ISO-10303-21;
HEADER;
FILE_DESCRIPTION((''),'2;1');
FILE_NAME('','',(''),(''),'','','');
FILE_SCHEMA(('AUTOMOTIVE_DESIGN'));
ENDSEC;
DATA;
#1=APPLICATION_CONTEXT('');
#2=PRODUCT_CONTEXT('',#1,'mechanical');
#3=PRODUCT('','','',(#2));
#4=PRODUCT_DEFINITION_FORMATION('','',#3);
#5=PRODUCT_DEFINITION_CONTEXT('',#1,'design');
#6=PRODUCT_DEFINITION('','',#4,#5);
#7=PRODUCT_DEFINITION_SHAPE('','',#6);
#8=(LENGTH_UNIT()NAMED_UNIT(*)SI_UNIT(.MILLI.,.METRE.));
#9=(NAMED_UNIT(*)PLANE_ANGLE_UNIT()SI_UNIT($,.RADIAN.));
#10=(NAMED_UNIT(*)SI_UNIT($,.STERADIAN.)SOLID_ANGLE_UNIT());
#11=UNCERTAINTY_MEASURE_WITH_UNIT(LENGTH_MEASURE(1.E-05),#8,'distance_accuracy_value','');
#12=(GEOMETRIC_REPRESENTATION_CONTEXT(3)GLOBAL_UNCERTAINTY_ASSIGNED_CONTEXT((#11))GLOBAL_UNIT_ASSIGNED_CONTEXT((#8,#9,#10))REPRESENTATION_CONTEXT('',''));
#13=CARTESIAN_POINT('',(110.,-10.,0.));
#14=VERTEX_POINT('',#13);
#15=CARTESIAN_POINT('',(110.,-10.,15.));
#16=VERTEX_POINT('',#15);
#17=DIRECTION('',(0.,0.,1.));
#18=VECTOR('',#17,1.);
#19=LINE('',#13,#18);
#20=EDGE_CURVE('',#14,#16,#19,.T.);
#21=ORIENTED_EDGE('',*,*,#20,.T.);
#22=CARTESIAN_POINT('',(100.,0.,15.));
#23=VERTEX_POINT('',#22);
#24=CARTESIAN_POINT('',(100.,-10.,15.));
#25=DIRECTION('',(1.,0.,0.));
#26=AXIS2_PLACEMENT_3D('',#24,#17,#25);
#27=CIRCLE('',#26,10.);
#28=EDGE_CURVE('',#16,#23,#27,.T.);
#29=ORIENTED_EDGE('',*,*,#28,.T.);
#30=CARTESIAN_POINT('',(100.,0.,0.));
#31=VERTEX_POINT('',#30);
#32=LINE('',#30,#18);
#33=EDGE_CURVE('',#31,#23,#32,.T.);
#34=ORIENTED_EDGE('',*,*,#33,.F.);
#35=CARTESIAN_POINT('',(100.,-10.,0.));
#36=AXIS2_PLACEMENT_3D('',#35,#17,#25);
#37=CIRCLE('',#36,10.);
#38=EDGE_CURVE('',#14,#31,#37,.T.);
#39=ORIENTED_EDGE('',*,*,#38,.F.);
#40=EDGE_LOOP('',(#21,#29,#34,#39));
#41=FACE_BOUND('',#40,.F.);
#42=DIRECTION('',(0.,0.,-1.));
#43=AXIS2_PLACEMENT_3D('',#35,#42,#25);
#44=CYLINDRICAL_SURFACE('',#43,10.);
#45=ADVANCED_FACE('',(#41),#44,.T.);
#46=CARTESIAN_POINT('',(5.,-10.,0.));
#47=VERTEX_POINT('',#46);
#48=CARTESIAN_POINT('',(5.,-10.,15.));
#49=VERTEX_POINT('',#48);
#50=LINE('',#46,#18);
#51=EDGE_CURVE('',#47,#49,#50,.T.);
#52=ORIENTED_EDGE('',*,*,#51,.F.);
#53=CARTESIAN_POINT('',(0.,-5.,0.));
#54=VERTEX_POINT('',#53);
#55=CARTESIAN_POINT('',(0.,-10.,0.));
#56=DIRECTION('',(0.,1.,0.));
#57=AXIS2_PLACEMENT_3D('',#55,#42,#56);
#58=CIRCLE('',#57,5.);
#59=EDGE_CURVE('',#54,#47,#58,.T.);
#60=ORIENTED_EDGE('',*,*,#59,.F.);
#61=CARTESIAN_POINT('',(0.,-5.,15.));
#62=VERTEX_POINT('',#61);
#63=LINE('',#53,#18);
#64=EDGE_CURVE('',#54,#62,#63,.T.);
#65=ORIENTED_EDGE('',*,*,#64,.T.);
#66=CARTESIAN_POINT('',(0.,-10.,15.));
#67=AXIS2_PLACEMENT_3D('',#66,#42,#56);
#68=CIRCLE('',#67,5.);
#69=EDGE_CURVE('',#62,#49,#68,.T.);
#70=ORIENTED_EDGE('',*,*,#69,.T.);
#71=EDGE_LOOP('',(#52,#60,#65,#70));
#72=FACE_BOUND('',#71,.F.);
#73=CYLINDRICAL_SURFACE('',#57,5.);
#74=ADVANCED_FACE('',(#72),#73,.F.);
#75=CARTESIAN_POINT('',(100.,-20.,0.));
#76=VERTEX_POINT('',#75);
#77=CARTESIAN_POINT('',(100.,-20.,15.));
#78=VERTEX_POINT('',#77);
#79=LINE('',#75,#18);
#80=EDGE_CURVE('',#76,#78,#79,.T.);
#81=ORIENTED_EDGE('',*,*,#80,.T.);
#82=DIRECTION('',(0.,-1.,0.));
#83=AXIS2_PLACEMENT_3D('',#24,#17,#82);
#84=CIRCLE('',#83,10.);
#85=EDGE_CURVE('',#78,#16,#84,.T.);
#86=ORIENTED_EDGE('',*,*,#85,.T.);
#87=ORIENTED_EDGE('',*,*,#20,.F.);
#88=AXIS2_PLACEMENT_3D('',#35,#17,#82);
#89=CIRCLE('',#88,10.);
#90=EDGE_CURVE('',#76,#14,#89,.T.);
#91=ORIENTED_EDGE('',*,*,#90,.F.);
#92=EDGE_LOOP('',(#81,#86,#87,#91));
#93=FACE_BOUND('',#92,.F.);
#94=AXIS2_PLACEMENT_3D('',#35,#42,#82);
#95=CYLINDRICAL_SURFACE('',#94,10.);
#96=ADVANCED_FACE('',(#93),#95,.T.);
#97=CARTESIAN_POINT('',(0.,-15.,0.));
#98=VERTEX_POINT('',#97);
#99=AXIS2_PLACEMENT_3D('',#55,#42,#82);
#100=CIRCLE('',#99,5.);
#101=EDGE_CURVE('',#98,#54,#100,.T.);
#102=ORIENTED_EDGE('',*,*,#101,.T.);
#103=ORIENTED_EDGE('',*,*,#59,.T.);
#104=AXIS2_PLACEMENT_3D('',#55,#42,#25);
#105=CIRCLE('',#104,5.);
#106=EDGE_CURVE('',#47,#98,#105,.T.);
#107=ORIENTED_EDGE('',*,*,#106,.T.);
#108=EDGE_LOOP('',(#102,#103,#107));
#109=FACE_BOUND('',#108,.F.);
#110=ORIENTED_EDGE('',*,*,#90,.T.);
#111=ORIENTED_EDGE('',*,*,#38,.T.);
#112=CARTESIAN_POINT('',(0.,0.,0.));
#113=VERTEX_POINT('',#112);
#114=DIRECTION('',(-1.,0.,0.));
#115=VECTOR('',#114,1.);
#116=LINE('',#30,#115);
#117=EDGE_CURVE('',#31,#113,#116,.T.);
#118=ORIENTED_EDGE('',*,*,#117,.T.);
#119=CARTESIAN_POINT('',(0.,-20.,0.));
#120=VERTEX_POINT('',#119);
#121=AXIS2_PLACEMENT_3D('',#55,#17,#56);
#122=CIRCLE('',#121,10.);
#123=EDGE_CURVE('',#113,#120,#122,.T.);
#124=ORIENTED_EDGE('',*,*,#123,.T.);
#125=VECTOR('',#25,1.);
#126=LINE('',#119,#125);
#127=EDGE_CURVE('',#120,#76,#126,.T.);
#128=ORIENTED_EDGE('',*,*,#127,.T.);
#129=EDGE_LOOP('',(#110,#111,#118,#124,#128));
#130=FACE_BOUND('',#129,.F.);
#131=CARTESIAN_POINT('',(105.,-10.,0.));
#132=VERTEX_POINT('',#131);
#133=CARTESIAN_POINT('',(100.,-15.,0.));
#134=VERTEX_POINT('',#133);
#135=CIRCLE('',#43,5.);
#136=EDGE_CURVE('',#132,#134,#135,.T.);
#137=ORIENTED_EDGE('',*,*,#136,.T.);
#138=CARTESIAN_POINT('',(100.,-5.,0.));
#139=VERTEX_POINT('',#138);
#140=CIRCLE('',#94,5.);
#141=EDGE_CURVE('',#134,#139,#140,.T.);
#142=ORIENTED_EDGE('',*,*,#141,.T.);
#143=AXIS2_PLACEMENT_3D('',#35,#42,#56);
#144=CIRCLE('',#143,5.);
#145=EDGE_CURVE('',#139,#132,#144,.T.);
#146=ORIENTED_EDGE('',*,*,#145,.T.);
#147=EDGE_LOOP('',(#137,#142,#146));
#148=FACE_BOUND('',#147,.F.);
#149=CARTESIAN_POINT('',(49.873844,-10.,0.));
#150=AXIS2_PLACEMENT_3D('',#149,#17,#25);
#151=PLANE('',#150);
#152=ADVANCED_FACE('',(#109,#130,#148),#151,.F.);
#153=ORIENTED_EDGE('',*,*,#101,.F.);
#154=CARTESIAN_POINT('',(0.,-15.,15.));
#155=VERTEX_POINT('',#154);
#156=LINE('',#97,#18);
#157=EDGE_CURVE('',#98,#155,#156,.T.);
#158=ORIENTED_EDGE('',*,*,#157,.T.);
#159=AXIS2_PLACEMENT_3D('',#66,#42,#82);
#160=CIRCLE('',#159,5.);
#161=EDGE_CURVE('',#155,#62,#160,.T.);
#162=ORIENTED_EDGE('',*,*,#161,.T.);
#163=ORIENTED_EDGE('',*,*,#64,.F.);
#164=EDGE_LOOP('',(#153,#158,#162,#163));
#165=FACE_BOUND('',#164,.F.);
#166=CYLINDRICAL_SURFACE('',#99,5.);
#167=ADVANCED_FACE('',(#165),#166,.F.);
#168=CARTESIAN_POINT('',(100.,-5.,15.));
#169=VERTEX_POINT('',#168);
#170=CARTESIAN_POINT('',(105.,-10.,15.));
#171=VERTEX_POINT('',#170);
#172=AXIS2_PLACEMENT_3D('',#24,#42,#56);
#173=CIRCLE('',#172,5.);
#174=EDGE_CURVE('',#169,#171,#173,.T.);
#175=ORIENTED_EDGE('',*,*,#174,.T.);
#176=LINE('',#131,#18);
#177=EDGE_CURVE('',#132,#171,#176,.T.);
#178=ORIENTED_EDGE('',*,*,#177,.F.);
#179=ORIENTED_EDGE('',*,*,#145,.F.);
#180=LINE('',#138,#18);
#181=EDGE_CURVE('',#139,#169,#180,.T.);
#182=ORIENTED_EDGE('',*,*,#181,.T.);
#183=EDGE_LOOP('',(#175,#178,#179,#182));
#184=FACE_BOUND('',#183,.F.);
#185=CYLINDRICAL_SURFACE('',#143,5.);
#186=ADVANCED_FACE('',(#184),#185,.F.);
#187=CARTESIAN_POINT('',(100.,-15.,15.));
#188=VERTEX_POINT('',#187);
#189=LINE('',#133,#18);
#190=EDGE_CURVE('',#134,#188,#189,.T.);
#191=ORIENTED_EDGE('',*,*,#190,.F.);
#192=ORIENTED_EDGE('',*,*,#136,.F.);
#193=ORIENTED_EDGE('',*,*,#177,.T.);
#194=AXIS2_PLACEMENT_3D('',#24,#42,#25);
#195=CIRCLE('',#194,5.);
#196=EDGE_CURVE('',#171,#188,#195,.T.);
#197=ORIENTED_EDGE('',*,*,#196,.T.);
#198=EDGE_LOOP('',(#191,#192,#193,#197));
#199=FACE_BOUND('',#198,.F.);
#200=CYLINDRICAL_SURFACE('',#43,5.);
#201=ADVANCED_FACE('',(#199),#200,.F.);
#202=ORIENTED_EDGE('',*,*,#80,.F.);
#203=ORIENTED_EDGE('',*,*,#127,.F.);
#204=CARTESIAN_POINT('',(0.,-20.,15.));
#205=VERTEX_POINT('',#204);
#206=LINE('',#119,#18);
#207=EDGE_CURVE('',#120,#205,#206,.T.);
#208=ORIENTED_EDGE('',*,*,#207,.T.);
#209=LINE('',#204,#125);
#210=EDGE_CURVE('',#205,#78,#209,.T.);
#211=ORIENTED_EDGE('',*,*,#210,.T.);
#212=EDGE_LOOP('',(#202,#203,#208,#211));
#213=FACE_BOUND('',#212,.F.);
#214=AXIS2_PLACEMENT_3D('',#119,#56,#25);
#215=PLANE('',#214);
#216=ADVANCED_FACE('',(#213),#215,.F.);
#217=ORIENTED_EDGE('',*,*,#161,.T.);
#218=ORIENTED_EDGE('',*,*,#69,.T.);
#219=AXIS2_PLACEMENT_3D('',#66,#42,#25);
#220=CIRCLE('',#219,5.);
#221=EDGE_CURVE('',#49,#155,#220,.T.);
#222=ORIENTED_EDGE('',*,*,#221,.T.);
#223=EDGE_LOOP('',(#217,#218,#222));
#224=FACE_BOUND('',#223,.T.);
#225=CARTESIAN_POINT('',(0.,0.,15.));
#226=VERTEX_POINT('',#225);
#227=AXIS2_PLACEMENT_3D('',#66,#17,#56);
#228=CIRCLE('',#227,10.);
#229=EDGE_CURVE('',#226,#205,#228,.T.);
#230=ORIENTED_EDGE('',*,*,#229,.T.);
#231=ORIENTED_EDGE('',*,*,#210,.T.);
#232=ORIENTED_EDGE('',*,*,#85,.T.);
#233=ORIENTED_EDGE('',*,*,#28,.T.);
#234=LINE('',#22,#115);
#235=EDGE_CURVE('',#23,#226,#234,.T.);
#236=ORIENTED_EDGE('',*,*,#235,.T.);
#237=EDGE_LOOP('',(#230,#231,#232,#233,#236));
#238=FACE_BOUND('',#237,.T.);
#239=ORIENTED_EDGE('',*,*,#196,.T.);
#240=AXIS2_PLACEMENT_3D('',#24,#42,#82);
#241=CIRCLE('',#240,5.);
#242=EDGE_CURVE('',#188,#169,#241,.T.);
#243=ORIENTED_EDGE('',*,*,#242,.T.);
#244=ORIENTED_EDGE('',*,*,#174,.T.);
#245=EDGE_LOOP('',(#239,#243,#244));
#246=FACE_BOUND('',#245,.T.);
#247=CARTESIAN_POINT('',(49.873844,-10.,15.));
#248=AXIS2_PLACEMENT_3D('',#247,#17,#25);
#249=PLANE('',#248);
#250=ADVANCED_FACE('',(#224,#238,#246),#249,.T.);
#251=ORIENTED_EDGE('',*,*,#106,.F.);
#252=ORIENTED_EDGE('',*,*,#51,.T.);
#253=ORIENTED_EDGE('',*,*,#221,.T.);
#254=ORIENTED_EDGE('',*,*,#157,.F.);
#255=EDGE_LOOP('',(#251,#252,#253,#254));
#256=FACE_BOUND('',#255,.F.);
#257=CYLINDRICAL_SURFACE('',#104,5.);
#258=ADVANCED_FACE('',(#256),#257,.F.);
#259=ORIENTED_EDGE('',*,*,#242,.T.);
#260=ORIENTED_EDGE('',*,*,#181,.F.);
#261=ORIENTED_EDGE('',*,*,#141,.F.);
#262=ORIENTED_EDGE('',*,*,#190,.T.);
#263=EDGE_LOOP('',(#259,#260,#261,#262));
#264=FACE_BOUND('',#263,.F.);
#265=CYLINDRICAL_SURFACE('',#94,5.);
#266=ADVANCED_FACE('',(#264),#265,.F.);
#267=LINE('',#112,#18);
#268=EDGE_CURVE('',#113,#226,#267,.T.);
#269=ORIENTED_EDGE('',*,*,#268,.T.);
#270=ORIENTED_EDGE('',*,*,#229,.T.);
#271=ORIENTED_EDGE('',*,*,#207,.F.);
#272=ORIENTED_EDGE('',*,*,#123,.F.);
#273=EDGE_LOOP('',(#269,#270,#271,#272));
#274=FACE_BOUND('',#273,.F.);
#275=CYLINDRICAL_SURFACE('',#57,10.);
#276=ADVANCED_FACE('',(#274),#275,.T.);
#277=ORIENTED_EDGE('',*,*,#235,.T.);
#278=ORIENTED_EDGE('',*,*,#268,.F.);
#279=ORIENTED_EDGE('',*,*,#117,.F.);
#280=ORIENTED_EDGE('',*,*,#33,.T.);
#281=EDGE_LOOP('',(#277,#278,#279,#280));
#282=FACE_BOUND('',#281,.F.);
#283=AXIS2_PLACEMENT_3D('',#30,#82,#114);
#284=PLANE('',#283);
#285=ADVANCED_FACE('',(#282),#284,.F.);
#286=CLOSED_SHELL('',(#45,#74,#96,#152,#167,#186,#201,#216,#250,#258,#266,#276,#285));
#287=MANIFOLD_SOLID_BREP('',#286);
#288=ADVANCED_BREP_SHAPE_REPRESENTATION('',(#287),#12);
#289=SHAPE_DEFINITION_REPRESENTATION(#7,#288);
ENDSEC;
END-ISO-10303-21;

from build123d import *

# Parameters (mm, degrees)
EXTRUDE_1_DEPTH = 15


with BuildPart() as part:
    # 草图1 → 凸台-拉伸1 (new body)
    with BuildSketch(Plane.XY):
        with BuildLine():
            Line((100, 0), (0, 0))
            ThreePointArc((0, 0), (7.071067812, -2.928932188), (10, -10))
            ThreePointArc((10, -10), (7.071067812, -17.071067812), (0, -20))
            Line((0, -20), (100, -20))
            ThreePointArc((100, -20), (90, -10), (100, 0))
        make_face()
        with BuildLine():
            ThreePointArc((10, -10), (7.071067812, -2.928932188), (0, 0))
            Line((0, 0), (0, -5))
            ThreePointArc((0, -5), (3.535533906, -6.464466094), (5, -10))
            ThreePointArc((5, -10), (3.535533906, -13.535533906), (0, -15))
            Line((0, -15), (0, -20))
            ThreePointArc((0, -20), (7.071067812, -17.071067812), (10, -10))
        make_face()
        with BuildLine():
            Line((0, -5), (0, 0))
            ThreePointArc((0, 0), (-10, -10), (0, -20))
            Line((0, -20), (0, -15))
            ThreePointArc((0, -15), (-5, -10), (0, -5))
        make_face()
        with BuildLine():
            ThreePointArc((110, -10), (107.071067812, -2.928932188), (100, 0))
            Line((100, 0), (100, -5))
            ThreePointArc((100, -5), (103.535533906, -6.464466094), (105, -10))
            ThreePointArc((105, -10), (103.535533906, -13.535533906), (100, -15))
            Line((100, -15), (100, -20))
            ThreePointArc((100, -20), (107.071067812, -17.071067812), (110, -10))
        make_face()
        with BuildLine():
            Line((100, -5), (100, 0))
            ThreePointArc((100, 0), (90, -10), (100, -20))
            Line((100, -20), (100, -15))
            ThreePointArc((100, -15), (95, -10), (100, -5))
        make_face()
    extrude(amount=EXTRUDE_1_DEPTH)


solid = part.part
